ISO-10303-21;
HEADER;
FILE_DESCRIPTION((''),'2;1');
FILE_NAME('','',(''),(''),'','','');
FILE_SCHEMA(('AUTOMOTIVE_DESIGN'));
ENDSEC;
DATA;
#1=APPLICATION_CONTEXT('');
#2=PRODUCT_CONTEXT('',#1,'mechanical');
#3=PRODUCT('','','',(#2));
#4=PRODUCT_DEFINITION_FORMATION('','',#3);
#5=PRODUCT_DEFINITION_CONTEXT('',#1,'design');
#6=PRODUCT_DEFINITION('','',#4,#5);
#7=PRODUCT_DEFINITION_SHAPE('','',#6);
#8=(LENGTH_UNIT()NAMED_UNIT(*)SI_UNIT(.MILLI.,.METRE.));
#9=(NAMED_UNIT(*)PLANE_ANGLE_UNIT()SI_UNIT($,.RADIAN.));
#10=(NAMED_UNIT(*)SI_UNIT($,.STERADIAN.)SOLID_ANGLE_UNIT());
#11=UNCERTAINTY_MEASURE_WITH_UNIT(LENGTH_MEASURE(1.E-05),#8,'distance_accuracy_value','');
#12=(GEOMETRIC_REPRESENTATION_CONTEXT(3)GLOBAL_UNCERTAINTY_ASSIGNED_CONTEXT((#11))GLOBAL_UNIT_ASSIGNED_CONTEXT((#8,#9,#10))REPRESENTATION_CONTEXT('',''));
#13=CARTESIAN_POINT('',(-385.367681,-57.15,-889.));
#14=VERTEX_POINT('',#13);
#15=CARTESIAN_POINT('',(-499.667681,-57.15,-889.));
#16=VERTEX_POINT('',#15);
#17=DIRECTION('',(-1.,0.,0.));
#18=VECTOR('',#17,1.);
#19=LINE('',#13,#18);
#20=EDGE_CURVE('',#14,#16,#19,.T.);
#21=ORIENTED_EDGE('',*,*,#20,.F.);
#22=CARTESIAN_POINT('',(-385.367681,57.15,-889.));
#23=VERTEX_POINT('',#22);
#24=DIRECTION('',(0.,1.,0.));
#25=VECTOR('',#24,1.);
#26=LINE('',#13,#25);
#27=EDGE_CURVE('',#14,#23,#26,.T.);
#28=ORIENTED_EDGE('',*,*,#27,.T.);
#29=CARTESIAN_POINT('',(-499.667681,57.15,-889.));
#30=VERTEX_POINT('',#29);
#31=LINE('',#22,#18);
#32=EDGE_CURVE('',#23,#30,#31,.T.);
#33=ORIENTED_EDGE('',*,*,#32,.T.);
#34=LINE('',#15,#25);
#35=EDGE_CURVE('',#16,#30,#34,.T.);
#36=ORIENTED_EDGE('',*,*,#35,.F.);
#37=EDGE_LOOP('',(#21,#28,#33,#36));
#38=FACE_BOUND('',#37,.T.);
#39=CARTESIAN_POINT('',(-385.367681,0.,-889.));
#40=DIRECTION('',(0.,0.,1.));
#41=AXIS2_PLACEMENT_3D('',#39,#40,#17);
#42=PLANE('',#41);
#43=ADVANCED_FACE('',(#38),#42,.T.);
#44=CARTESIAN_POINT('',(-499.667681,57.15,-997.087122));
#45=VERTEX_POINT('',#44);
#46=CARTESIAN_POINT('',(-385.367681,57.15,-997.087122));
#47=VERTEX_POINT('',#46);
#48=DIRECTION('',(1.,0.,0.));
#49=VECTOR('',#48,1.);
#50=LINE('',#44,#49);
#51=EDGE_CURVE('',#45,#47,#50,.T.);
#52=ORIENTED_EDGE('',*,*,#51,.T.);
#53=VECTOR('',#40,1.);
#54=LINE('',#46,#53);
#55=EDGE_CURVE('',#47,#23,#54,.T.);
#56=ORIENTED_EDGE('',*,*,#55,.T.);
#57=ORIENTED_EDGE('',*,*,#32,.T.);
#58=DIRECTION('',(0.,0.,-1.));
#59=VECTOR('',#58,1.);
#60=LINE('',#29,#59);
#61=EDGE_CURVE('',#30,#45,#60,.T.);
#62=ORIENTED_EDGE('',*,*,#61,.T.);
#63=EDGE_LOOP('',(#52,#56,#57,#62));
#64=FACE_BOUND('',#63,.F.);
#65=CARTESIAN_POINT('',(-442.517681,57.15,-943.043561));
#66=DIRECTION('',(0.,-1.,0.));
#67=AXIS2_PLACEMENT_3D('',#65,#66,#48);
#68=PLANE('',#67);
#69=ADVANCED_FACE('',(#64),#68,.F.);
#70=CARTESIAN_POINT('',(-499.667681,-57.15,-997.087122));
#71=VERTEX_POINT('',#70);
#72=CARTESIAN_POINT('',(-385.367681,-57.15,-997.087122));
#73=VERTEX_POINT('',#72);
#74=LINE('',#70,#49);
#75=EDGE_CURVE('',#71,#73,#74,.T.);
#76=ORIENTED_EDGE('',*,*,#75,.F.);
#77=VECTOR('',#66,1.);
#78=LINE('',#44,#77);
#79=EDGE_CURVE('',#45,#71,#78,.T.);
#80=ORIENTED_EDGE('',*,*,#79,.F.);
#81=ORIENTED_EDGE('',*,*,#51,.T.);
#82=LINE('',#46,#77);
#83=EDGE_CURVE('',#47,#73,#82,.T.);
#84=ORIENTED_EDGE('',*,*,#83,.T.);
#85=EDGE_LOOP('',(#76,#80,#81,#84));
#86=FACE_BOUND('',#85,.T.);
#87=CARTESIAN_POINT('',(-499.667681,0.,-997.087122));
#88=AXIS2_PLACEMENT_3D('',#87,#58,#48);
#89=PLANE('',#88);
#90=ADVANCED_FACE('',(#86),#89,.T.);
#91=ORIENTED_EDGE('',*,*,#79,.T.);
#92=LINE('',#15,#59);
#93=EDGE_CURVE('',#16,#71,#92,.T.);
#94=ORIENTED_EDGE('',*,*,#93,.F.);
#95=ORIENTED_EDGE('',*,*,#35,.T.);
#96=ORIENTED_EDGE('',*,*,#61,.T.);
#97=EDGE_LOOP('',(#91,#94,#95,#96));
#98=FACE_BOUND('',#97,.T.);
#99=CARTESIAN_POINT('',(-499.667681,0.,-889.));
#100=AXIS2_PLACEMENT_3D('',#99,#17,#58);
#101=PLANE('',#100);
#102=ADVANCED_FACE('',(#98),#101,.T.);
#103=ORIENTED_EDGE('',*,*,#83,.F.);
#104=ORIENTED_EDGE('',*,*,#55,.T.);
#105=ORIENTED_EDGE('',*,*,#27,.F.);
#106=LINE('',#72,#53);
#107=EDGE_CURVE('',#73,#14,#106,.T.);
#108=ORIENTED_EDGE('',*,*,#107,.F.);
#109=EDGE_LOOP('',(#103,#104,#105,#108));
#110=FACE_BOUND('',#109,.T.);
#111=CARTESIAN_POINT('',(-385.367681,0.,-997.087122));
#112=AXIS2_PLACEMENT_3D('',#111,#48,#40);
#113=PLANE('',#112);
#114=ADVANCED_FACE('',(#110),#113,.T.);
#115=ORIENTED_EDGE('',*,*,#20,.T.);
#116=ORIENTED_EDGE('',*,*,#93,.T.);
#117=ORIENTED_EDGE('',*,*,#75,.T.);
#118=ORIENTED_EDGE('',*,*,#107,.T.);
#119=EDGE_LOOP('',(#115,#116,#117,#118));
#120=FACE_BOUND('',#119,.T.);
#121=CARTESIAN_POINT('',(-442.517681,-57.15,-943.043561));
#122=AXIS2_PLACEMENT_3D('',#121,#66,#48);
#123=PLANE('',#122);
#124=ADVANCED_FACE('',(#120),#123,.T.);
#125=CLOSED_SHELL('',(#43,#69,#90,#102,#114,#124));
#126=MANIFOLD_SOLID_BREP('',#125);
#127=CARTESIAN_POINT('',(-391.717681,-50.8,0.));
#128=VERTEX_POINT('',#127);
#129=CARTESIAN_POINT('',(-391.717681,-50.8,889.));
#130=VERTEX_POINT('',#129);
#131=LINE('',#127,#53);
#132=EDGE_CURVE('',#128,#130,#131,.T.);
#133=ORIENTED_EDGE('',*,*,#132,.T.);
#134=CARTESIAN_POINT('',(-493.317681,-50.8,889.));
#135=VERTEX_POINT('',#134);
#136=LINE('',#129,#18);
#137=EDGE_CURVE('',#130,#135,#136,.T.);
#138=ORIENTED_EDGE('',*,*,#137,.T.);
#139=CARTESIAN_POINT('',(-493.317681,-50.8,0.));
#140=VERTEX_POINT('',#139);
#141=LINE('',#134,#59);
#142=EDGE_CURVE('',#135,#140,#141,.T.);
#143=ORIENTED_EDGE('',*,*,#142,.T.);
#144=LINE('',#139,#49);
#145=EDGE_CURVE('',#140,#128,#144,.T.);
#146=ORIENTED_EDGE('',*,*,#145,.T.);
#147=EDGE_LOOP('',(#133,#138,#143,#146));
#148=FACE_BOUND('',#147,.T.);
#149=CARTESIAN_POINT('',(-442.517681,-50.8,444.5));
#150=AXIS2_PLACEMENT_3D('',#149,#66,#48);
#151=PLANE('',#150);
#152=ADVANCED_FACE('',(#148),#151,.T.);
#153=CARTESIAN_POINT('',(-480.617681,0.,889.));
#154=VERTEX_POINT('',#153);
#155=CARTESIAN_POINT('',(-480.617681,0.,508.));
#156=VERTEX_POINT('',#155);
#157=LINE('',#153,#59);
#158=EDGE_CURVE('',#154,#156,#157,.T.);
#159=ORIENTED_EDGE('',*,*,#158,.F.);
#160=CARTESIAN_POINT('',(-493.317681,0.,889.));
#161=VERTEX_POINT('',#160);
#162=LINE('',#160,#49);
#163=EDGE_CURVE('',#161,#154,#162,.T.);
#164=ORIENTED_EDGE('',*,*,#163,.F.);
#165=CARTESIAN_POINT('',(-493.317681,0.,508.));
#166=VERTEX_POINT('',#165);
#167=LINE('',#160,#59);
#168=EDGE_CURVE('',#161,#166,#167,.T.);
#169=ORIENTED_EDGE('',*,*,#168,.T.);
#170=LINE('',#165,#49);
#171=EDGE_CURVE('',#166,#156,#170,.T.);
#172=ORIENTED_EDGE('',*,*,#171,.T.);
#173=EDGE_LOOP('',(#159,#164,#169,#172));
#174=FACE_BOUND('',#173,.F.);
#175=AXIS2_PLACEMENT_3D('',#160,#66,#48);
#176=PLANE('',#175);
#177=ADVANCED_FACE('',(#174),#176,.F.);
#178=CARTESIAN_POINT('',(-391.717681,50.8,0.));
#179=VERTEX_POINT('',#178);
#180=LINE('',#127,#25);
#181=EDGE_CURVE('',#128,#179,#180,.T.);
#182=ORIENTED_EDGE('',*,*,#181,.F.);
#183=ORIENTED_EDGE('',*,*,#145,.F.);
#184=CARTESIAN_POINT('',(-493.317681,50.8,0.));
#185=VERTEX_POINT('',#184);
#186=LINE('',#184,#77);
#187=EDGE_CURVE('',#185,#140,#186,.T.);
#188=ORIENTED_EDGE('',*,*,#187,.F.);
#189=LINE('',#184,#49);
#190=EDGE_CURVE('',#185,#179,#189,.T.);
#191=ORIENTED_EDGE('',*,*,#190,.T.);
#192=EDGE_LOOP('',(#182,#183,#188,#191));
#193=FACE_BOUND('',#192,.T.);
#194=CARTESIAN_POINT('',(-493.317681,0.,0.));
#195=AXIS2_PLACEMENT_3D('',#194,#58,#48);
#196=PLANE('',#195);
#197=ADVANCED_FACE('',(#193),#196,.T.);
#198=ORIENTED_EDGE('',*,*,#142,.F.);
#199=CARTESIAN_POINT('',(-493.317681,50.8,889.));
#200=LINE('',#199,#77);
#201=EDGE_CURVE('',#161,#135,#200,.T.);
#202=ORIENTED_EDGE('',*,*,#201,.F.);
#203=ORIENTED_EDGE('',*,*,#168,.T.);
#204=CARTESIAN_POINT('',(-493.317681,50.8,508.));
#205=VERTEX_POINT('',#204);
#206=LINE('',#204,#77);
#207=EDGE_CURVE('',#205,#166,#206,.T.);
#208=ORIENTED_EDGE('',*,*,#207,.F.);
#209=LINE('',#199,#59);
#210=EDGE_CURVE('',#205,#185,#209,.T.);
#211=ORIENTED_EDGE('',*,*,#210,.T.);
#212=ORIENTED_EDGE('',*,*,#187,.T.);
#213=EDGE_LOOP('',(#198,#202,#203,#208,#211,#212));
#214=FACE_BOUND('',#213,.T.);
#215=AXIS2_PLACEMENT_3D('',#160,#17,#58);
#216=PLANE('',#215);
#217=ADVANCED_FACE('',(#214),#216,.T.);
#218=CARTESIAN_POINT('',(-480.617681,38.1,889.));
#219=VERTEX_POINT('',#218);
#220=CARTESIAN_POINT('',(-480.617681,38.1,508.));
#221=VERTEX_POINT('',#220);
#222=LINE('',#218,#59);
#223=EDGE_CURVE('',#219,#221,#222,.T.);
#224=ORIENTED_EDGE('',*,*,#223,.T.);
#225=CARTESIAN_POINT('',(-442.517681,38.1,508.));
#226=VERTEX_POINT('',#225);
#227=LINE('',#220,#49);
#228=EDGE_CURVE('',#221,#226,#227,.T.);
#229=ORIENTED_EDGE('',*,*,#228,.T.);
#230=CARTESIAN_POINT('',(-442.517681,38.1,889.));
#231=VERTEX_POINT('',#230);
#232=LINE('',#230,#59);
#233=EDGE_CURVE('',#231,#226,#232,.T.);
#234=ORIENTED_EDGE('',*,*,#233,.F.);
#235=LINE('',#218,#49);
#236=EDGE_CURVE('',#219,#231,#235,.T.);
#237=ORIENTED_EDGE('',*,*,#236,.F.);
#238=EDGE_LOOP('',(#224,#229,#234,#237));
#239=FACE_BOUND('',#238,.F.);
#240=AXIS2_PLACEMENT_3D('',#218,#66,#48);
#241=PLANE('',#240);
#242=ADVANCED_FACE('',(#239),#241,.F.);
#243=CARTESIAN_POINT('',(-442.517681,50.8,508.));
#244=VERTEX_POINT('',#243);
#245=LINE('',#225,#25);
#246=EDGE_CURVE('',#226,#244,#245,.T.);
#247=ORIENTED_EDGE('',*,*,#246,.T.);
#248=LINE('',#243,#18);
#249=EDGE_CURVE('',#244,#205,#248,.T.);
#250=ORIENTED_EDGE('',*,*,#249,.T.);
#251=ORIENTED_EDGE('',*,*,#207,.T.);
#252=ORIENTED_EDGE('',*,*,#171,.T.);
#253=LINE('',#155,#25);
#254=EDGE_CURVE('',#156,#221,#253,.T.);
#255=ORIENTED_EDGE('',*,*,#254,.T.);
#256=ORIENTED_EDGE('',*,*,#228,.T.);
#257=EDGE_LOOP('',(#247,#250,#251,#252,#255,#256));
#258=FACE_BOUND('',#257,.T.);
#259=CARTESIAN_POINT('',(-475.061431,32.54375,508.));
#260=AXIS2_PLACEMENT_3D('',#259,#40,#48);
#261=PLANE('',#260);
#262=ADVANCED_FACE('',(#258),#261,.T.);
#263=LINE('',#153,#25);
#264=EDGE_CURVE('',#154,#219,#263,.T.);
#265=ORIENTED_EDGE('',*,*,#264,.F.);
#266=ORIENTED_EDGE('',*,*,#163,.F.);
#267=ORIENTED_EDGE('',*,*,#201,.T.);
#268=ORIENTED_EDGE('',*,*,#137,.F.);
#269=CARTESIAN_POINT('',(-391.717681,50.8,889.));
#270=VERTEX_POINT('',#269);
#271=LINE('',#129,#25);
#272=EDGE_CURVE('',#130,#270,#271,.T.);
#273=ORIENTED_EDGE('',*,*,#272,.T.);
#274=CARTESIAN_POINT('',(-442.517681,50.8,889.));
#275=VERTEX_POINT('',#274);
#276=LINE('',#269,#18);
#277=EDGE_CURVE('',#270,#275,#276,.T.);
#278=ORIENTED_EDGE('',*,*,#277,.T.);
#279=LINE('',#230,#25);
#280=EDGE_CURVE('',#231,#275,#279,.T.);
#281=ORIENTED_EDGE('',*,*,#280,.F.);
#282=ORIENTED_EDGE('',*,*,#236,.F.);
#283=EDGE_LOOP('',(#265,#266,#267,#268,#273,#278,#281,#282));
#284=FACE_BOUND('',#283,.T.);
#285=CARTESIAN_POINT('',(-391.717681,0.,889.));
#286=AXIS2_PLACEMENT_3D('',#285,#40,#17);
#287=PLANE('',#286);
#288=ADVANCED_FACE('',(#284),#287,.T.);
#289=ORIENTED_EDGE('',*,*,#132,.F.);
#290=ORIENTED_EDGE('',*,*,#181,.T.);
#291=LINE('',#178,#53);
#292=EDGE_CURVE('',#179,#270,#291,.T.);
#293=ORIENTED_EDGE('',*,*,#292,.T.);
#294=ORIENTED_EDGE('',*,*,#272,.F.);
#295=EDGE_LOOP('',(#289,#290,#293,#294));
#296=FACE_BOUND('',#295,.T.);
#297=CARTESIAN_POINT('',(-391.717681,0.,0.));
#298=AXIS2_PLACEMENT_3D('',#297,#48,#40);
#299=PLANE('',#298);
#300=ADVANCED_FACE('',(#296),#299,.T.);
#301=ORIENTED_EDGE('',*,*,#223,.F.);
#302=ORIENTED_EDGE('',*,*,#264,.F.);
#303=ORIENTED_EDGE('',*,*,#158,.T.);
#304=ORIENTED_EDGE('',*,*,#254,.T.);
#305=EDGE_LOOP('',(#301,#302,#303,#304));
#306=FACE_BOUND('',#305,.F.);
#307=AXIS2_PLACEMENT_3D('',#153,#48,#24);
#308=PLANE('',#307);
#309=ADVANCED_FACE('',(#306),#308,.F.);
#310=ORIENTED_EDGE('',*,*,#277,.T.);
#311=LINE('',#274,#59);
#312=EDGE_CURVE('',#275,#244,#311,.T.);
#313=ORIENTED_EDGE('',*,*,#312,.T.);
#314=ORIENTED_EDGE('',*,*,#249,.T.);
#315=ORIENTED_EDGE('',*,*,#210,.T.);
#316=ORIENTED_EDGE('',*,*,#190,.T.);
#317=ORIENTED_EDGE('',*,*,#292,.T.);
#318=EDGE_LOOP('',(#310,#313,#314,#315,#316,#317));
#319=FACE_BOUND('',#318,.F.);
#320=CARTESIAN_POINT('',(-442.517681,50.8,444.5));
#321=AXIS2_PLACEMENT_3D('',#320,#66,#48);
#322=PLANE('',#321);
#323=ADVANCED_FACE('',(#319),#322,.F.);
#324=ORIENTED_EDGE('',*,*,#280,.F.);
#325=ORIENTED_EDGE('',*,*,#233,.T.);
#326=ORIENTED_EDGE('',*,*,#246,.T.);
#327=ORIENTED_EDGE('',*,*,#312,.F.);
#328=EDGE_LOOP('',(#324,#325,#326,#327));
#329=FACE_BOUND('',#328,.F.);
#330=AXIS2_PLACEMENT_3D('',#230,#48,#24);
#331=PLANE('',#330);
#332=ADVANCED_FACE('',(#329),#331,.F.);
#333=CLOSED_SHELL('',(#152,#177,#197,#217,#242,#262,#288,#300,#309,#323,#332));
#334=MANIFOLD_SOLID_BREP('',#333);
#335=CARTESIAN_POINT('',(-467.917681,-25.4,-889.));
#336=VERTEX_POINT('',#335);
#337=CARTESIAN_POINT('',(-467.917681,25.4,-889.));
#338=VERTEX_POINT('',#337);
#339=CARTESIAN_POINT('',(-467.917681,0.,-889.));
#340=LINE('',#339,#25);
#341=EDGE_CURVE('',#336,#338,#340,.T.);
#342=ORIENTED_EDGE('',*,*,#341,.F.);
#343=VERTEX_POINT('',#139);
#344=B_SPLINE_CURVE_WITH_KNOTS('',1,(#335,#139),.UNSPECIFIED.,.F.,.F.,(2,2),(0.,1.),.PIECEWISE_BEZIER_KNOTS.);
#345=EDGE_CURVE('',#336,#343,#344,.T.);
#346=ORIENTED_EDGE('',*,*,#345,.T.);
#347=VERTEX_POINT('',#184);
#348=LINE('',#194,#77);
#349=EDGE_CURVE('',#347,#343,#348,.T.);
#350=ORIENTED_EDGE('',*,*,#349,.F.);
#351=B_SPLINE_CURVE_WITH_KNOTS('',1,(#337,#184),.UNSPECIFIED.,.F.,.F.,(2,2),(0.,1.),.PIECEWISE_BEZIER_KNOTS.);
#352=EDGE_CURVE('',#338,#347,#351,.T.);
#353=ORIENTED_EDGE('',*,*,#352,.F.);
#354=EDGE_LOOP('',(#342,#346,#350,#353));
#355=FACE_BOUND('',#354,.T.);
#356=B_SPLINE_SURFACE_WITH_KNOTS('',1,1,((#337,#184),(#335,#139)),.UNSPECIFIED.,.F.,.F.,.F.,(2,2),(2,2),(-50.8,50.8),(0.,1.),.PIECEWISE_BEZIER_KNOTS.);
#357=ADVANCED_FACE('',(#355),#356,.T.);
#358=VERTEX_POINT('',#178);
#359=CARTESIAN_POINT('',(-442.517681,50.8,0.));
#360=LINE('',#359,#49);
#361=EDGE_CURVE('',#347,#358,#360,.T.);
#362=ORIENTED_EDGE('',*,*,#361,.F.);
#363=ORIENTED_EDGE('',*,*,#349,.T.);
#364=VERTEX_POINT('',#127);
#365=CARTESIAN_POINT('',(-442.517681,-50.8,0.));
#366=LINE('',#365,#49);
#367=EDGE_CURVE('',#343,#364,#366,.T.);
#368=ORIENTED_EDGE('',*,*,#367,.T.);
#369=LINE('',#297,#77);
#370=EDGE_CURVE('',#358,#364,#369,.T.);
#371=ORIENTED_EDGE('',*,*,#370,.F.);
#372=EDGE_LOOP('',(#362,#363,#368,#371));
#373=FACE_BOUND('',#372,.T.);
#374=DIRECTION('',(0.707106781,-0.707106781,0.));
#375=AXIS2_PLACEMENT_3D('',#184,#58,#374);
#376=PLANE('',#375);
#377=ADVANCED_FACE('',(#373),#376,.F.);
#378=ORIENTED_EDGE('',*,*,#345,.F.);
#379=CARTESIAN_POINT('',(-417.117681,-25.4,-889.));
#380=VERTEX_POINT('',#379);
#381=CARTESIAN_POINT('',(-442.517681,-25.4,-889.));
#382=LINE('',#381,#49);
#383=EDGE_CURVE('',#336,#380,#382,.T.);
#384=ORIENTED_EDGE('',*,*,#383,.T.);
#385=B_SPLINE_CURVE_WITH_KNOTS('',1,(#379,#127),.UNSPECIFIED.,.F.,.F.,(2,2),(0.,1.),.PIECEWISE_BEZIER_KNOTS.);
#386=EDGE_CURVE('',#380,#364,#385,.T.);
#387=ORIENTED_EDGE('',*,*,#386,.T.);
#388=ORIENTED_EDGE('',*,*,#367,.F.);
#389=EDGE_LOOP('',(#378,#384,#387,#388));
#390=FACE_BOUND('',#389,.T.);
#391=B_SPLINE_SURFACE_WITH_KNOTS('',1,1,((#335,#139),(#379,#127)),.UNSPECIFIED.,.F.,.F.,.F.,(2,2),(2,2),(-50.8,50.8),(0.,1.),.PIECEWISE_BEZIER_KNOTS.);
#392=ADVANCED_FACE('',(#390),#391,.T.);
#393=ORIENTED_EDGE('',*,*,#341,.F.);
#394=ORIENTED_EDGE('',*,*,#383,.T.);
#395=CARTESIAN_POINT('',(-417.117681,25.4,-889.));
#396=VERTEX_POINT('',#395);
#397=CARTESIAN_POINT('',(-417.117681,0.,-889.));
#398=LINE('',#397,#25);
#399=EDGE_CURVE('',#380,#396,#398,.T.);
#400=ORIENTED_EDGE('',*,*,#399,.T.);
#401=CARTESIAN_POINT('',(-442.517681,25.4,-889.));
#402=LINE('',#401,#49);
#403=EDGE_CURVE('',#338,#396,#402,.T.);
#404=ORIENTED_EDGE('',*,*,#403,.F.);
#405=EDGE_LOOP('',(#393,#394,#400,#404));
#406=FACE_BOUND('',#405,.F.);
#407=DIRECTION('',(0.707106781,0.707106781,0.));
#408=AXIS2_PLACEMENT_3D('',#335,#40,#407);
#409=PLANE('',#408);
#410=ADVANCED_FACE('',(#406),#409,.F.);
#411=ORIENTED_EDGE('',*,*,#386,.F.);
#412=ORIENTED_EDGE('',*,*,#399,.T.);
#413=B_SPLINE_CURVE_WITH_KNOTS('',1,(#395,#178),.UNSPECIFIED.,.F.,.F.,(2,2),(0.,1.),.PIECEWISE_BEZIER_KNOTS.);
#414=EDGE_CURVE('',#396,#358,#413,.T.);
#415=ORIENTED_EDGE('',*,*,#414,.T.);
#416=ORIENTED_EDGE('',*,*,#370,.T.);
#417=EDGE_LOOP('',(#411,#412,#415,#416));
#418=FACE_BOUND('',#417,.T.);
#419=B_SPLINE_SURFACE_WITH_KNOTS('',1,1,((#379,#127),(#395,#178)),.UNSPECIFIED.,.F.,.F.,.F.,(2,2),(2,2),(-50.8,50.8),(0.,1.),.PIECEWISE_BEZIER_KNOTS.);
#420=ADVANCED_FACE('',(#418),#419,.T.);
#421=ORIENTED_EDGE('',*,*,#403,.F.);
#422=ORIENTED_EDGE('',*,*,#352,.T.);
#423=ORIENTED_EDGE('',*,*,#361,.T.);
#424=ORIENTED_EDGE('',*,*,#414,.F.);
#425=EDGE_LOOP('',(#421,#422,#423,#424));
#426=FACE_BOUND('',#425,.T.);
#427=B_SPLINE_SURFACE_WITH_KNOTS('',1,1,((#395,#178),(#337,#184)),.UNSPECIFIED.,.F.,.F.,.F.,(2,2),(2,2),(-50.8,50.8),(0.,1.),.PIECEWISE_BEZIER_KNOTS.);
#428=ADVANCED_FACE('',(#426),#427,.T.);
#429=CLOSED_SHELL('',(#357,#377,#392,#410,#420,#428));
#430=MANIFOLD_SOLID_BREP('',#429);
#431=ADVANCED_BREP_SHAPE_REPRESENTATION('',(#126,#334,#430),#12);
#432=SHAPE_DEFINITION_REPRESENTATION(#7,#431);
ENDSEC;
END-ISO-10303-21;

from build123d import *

# Parameters (mm, degrees)
F1_DEPTH  = 57.15
F2_DEPTH  = 50.8
F3_W      = 50.8
F3_H      = 50.8
F2_FACE_W = 101.6
F2_FACE_H = 101.6
F6_DEPTH  = 381


with BuildPart() as f1:
    # F0 (on Front) → F1 (new body, symmetric)
    with BuildSketch(Plane.XZ):
        Polygon((-417.117681, -889), (-467.917681, -889), (-499.667681, -889), (-499.667681, -997.087122), (-385.367681, -997.087122), (-385.367681, -889), align=None)
    extrude(amount=F1_DEPTH, both=True)


with BuildPart() as f2:
    # F0 (on Front) → F2 (new body, symmetric)
    with BuildSketch(Plane.XZ):
        Polygon((-391.717681, 889), (-493.317681, 889), (-493.317681, 0), (-467.917681, 0), (-417.117681, 0), (-391.717681, 0), align=None)
    extrude(amount=F2_DEPTH, both=True)

    # F5 (on face) → F6 (cut)
    with BuildSketch(Plane.XY.offset(889)):
        Polygon((-480.617681, 38.1), (-442.517681, 38.1), (-442.517681, 50.8), (-493.317681, 50.8), (-493.317681, 0), (-480.617681, 0), align=None)
    extrude(amount=-F6_DEPTH, mode=Mode.SUBTRACT)


with BuildPart() as f4:
    # F3 (on face) → F4 section 0
    with BuildSketch(Plane.XY.offset(-889)):
        with Locations((-442.517681, 0)):
            Rectangle(F3_W, F3_H)
    # F2_face (on face) → F4 section 1
    with BuildSketch(Plane(origin=(-442.517681, 0, 0), x_dir=(1, 0, 0), z_dir=(0, 0, -1))):
        Rectangle(F2_FACE_W, F2_FACE_H)
    loft()


solid = Compound([f1.part, f2.part, f4.part])
